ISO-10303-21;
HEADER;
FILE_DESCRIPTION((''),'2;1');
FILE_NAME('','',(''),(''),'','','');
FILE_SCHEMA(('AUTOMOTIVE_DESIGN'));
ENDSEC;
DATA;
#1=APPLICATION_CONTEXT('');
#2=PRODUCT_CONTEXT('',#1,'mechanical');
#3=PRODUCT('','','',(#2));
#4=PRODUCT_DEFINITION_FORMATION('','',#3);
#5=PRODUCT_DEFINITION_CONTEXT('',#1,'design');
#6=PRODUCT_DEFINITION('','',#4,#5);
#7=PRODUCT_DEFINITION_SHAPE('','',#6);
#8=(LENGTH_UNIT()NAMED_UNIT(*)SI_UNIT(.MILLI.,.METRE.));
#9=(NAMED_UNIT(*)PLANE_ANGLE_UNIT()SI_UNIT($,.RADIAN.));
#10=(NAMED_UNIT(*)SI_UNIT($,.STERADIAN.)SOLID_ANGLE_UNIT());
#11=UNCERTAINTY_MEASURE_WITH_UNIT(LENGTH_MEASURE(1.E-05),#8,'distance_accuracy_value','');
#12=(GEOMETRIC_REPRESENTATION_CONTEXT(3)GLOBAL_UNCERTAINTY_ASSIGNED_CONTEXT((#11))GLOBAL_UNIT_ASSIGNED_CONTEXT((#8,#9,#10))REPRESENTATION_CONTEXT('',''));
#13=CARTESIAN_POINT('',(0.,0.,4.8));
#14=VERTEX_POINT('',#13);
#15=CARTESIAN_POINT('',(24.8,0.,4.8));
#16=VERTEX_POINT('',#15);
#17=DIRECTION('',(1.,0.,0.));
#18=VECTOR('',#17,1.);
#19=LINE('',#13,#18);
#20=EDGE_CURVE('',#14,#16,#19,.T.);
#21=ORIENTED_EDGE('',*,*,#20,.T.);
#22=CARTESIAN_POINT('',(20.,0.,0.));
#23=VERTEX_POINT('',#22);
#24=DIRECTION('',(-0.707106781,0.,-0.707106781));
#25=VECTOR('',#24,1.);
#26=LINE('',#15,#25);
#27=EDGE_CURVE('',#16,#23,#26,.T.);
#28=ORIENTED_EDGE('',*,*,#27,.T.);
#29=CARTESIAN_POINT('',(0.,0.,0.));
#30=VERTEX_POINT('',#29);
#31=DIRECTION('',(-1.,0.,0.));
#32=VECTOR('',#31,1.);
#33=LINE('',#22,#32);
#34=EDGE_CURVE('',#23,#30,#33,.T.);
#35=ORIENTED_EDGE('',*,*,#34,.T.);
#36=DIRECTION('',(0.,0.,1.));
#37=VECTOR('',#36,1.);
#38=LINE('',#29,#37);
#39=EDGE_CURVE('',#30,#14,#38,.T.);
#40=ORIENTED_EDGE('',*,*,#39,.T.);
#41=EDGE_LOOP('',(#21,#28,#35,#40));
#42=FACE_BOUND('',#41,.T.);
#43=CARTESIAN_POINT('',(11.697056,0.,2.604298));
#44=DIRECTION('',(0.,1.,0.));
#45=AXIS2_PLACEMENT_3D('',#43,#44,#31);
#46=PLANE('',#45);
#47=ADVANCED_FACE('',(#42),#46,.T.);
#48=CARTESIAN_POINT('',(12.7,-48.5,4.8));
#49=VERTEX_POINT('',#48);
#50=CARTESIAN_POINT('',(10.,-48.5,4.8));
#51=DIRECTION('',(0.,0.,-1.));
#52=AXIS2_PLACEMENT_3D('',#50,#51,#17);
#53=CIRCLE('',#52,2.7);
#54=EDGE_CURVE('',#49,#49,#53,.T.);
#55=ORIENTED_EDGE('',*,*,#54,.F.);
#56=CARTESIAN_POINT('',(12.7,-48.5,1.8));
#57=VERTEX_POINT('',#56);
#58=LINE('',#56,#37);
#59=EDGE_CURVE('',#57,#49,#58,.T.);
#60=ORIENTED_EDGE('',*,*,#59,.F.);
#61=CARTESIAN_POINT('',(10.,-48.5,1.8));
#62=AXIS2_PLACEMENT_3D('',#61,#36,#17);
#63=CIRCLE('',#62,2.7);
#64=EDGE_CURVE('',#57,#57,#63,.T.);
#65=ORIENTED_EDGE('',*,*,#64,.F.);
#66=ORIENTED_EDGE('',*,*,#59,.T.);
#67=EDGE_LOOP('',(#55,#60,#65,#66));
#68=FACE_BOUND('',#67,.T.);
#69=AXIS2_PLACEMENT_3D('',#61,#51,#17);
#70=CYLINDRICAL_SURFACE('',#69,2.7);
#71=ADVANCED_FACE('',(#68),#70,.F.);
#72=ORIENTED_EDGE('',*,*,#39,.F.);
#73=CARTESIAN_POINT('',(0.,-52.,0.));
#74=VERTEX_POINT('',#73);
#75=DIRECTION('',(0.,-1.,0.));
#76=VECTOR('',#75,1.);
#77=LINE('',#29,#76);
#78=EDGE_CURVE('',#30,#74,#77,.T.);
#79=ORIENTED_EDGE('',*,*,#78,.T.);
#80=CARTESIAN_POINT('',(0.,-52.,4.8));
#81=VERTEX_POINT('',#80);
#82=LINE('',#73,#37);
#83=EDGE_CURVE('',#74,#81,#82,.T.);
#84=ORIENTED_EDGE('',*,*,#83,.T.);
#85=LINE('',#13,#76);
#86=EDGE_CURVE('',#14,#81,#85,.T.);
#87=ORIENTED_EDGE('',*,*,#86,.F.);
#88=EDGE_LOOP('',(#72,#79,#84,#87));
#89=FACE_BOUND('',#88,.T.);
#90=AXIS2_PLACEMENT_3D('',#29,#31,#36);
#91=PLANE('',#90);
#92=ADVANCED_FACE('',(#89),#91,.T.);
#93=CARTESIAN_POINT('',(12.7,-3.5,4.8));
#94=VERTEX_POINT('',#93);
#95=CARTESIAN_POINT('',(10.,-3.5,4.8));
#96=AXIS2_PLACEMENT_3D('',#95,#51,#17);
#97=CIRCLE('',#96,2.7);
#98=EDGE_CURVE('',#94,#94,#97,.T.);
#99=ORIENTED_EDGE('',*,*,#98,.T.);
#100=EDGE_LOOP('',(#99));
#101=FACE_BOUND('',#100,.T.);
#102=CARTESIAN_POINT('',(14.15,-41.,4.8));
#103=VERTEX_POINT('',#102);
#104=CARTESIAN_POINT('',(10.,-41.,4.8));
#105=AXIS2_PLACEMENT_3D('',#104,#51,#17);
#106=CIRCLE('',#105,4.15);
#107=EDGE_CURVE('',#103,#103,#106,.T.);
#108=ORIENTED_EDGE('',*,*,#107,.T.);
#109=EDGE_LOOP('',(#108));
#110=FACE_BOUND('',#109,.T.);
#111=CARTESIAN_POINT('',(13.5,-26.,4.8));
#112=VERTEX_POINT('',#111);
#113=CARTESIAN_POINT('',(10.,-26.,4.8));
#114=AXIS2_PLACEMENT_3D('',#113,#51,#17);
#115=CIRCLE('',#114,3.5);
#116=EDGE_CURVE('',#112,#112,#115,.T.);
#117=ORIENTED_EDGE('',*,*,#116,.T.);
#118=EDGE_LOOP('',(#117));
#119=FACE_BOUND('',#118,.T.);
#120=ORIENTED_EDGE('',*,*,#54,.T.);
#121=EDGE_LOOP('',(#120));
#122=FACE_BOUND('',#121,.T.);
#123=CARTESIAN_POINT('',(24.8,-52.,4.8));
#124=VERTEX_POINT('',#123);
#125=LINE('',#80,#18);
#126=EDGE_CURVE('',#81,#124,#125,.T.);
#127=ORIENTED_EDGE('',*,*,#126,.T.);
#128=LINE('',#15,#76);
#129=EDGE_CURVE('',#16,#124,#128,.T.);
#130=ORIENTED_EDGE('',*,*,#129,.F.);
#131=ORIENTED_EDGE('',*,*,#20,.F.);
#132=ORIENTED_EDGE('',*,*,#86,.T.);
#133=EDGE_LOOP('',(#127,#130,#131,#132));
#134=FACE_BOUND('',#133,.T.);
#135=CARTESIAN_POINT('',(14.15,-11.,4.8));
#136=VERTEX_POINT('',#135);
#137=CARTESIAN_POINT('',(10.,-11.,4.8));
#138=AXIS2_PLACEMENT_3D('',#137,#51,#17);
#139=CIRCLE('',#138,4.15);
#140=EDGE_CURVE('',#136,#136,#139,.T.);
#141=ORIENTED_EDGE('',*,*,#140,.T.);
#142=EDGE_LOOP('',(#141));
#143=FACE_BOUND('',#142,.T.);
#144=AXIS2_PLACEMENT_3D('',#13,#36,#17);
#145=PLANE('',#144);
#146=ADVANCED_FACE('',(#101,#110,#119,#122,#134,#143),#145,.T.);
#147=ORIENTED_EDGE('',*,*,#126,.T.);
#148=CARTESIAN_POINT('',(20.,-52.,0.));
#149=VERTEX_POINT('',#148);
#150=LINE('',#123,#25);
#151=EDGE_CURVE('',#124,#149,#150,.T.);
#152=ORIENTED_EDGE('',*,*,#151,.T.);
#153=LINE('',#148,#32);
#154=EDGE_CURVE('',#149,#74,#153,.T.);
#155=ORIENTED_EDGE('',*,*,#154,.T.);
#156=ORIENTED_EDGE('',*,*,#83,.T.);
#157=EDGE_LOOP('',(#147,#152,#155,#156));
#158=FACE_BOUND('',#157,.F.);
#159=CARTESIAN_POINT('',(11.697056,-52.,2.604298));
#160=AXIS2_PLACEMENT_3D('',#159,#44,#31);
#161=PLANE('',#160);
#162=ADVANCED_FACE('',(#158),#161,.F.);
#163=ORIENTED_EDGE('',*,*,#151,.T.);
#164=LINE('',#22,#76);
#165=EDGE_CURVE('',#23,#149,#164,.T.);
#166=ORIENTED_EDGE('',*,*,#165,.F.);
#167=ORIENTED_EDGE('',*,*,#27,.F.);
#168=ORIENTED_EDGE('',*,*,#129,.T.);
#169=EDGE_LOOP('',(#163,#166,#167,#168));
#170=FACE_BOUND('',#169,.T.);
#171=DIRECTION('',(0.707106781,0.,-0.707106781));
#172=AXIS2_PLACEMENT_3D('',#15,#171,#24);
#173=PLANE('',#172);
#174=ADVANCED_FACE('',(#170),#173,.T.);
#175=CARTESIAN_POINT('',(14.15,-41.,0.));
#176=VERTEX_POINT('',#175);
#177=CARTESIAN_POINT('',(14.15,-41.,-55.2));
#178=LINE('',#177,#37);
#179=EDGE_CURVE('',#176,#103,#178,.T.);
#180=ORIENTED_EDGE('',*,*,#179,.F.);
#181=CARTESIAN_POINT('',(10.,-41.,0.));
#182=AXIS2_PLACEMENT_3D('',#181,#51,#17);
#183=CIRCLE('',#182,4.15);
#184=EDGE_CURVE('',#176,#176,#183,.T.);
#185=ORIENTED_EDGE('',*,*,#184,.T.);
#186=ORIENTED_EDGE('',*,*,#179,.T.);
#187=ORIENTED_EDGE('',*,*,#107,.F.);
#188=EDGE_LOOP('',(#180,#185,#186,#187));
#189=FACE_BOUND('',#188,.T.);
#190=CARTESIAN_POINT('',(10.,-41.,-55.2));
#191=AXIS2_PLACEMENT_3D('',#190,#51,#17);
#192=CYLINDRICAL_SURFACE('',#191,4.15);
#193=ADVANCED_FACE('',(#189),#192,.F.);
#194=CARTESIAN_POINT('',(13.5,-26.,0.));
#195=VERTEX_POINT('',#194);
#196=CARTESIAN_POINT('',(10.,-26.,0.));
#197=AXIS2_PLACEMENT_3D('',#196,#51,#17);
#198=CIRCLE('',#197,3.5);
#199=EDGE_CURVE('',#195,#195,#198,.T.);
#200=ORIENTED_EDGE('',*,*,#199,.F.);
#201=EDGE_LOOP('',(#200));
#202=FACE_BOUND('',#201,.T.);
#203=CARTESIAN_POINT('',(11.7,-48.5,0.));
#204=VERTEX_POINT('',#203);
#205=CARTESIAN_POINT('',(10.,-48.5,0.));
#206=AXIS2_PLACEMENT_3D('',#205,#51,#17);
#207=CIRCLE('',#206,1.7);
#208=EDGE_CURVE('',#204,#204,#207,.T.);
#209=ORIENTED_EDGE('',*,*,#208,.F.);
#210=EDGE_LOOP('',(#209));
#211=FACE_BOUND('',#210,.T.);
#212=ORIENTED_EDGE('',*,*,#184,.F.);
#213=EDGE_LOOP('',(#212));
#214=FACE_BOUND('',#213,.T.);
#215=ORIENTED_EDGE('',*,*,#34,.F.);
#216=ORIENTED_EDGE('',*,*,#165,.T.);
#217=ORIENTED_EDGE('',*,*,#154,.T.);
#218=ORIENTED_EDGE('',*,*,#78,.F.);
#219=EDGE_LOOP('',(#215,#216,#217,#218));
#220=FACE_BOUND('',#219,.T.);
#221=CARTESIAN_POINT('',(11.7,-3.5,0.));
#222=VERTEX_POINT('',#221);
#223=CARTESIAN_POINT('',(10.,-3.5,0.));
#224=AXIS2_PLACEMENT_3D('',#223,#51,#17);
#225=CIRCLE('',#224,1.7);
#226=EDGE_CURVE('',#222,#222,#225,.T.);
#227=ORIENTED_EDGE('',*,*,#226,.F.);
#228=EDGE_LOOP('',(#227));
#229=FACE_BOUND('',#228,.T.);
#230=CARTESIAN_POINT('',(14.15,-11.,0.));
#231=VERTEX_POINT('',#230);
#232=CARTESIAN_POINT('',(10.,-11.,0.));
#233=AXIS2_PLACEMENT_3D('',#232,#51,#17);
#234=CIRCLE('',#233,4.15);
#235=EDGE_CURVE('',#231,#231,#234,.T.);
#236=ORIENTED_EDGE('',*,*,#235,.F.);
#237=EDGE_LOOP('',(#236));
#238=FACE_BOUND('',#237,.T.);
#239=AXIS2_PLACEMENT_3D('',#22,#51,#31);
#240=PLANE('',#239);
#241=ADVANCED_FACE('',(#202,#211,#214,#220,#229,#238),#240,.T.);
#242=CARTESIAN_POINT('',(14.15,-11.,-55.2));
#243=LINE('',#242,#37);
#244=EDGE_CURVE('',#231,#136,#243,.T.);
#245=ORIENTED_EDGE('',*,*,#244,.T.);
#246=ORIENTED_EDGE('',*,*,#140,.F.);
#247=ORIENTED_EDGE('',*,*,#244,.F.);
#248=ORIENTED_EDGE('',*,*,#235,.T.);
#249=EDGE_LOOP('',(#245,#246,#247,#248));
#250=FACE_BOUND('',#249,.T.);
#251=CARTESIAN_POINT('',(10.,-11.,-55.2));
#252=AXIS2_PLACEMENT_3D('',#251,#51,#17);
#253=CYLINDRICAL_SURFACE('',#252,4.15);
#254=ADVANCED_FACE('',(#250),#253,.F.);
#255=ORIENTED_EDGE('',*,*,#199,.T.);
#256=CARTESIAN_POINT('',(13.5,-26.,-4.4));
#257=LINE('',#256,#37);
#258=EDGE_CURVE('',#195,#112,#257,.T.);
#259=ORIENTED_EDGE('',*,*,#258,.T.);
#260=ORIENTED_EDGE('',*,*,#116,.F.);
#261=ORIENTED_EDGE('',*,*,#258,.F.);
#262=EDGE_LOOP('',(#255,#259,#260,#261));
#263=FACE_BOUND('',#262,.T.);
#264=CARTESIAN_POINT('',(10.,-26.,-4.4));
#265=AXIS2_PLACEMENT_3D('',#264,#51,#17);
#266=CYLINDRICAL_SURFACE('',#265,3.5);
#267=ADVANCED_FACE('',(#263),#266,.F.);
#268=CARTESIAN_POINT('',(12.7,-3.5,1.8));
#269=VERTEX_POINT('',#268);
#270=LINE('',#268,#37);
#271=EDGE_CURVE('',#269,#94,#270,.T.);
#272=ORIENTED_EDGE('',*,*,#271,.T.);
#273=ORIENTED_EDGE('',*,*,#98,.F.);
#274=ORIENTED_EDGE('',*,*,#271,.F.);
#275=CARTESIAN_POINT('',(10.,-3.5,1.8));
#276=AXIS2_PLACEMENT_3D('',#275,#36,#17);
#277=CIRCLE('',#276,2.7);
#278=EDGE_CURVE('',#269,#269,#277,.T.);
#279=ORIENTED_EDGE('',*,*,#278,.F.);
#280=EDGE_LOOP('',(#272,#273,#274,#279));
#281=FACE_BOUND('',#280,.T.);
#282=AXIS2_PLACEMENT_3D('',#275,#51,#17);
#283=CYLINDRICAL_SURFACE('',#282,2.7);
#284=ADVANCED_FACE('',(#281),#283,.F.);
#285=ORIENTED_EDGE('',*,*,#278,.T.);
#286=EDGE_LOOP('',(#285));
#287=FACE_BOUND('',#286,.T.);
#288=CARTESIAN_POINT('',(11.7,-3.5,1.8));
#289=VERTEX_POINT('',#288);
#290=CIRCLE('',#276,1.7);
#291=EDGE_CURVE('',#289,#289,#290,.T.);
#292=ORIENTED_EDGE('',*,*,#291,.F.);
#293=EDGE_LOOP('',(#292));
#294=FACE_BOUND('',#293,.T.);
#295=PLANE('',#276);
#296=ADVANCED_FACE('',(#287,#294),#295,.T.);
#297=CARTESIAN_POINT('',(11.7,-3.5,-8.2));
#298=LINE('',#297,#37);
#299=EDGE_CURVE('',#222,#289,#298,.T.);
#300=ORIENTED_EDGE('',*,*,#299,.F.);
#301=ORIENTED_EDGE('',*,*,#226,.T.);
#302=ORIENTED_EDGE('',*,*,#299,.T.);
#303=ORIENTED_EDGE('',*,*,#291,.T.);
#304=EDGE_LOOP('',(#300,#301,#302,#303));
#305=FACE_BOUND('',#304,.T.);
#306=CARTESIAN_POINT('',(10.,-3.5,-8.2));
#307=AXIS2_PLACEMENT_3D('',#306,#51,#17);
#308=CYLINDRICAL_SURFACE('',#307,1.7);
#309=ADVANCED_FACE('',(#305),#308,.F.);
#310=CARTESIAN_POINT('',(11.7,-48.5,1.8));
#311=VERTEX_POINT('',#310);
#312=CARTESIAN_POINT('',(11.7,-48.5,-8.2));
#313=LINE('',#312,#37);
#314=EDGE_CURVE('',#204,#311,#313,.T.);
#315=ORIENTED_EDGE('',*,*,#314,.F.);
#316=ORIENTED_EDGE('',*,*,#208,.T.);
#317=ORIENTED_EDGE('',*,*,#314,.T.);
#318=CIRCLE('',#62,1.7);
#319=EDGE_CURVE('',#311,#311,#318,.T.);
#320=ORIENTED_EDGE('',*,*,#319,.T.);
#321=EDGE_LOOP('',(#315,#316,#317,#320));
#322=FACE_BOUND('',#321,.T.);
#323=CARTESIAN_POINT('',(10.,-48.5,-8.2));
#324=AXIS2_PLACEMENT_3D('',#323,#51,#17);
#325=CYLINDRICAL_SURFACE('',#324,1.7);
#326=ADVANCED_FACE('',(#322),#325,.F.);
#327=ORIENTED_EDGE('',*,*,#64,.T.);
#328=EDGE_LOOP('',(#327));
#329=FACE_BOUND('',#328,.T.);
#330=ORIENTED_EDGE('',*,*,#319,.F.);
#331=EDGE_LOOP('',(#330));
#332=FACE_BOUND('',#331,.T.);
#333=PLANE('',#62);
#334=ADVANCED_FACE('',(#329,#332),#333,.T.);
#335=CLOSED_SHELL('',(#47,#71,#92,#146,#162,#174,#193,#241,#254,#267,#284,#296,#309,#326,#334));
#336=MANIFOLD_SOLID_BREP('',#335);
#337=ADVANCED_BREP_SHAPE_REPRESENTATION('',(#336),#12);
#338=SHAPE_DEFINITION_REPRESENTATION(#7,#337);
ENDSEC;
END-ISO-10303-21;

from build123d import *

# Parameters (mm, degrees)
CYLINDER1006_R     = 4.15
CYLINDER1006_DEPTH = 70
CYLINDER1020_R     = 2.7
CYLINDER1020_DEPTH = 10
CYLINDER1018_R     = 1.7
CYLINDER1018_DEPTH = 10
CYLINDER1032_R     = 3.5
CYLINDER1032_DEPTH = 10
PAD021_DEPTH       = 52


with BuildPart() as f_8mmrodmaster:
    # Cylinder1006 → Cylinder1006 (new body)
    with BuildSketch(Plane.XY):
        Circle(CYLINDER1006_R)
    extrude(amount=CYLINDER1006_DEPTH)


with BuildPart() as clone_of_8mmrodmaster005:
    # Clone046 base: copy of 8mmRodMaster
    add(f_8mmrodmaster.part)


with BuildPart() as clone_of_8mmrodmaster005_1:
    # Clone046 placement: moved
    add(clone_of_8mmrodmaster005.part.moved(Location((10, -11, -55.2))))


with BuildPart() as cylinder1015:
    # Cylinder1020 → Cylinder1020 (new body)
    with BuildSketch(Plane.XY.offset(10)):
        Circle(CYLINDER1020_R)
    extrude(amount=CYLINDER1020_DEPTH)


with BuildPart() as m3bolthead:
    # Cylinder1018 → Cylinder1018 (new body)
    with BuildSketch(Plane.XY):
        Circle(CYLINDER1018_R)
    extrude(amount=CYLINDER1018_DEPTH)

    # Fusion024: union Cylinder1015
    add(cylinder1015.part)


with BuildPart() as clone_of_m3bolthead005:
    # Clone047 base: copy of M3BoltHead
    add(m3bolthead.part)


with BuildPart() as clone_of_m3bolthead005_1:
    # Clone047 placement: moved
    add(clone_of_m3bolthead005.part.moved(Location((10, -3.5, -8.2))))


with BuildPart() as clone_of_m3bolthead006:
    # Clone048 base: copy of M3BoltHead
    add(m3bolthead.part)


with BuildPart() as clone_of_m3bolthead006_1:
    # Clone048 placement: moved
    add(clone_of_m3bolthead006.part.moved(Location((10, -48.5, -8.2))))


with BuildPart() as cylinder1046:
    # Cylinder1032 → Cylinder1032 (new body)
    with BuildSketch(Plane(origin=(10, -26, -4.4), x_dir=(1, 0, 0), z_dir=(0, 0, 1))):
        Circle(CYLINDER1032_R)
    extrude(amount=CYLINDER1032_DEPTH)


with BuildPart() as fusion049:
    # Clone045 base: copy of 8mmRodMaster
    add(f_8mmrodmaster.part)


with BuildPart() as fusion049_1:
    # Clone045 placement: moved
    add(fusion049.part.moved(Location((10, -41, -55.2))))

    # Fusion049: union Clone of 8mmRodMaster005, Clone of M3BoltHead005, Clone of M3BoltHead006, Cylinder1046
    add(clone_of_8mmrodmaster005_1.part)
    add(clone_of_m3bolthead005_1.part)
    add(clone_of_m3bolthead006_1.part)
    add(cylinder1046.part)


with BuildPart() as clone_of_bearingfix:
    # Sketch022 → Pad021 (new body)
    with BuildSketch(Plane.XZ):
        Polygon((0, 0), (0, 4.8), (24.8, 4.8), (20, 0), align=None)
    extrude(amount=PAD021_DEPTH)

    # Cut051: cut Fusion049
    add(fusion049_1.part, mode=Mode.SUBTRACT)


solid = clone_of_bearingfix.part
